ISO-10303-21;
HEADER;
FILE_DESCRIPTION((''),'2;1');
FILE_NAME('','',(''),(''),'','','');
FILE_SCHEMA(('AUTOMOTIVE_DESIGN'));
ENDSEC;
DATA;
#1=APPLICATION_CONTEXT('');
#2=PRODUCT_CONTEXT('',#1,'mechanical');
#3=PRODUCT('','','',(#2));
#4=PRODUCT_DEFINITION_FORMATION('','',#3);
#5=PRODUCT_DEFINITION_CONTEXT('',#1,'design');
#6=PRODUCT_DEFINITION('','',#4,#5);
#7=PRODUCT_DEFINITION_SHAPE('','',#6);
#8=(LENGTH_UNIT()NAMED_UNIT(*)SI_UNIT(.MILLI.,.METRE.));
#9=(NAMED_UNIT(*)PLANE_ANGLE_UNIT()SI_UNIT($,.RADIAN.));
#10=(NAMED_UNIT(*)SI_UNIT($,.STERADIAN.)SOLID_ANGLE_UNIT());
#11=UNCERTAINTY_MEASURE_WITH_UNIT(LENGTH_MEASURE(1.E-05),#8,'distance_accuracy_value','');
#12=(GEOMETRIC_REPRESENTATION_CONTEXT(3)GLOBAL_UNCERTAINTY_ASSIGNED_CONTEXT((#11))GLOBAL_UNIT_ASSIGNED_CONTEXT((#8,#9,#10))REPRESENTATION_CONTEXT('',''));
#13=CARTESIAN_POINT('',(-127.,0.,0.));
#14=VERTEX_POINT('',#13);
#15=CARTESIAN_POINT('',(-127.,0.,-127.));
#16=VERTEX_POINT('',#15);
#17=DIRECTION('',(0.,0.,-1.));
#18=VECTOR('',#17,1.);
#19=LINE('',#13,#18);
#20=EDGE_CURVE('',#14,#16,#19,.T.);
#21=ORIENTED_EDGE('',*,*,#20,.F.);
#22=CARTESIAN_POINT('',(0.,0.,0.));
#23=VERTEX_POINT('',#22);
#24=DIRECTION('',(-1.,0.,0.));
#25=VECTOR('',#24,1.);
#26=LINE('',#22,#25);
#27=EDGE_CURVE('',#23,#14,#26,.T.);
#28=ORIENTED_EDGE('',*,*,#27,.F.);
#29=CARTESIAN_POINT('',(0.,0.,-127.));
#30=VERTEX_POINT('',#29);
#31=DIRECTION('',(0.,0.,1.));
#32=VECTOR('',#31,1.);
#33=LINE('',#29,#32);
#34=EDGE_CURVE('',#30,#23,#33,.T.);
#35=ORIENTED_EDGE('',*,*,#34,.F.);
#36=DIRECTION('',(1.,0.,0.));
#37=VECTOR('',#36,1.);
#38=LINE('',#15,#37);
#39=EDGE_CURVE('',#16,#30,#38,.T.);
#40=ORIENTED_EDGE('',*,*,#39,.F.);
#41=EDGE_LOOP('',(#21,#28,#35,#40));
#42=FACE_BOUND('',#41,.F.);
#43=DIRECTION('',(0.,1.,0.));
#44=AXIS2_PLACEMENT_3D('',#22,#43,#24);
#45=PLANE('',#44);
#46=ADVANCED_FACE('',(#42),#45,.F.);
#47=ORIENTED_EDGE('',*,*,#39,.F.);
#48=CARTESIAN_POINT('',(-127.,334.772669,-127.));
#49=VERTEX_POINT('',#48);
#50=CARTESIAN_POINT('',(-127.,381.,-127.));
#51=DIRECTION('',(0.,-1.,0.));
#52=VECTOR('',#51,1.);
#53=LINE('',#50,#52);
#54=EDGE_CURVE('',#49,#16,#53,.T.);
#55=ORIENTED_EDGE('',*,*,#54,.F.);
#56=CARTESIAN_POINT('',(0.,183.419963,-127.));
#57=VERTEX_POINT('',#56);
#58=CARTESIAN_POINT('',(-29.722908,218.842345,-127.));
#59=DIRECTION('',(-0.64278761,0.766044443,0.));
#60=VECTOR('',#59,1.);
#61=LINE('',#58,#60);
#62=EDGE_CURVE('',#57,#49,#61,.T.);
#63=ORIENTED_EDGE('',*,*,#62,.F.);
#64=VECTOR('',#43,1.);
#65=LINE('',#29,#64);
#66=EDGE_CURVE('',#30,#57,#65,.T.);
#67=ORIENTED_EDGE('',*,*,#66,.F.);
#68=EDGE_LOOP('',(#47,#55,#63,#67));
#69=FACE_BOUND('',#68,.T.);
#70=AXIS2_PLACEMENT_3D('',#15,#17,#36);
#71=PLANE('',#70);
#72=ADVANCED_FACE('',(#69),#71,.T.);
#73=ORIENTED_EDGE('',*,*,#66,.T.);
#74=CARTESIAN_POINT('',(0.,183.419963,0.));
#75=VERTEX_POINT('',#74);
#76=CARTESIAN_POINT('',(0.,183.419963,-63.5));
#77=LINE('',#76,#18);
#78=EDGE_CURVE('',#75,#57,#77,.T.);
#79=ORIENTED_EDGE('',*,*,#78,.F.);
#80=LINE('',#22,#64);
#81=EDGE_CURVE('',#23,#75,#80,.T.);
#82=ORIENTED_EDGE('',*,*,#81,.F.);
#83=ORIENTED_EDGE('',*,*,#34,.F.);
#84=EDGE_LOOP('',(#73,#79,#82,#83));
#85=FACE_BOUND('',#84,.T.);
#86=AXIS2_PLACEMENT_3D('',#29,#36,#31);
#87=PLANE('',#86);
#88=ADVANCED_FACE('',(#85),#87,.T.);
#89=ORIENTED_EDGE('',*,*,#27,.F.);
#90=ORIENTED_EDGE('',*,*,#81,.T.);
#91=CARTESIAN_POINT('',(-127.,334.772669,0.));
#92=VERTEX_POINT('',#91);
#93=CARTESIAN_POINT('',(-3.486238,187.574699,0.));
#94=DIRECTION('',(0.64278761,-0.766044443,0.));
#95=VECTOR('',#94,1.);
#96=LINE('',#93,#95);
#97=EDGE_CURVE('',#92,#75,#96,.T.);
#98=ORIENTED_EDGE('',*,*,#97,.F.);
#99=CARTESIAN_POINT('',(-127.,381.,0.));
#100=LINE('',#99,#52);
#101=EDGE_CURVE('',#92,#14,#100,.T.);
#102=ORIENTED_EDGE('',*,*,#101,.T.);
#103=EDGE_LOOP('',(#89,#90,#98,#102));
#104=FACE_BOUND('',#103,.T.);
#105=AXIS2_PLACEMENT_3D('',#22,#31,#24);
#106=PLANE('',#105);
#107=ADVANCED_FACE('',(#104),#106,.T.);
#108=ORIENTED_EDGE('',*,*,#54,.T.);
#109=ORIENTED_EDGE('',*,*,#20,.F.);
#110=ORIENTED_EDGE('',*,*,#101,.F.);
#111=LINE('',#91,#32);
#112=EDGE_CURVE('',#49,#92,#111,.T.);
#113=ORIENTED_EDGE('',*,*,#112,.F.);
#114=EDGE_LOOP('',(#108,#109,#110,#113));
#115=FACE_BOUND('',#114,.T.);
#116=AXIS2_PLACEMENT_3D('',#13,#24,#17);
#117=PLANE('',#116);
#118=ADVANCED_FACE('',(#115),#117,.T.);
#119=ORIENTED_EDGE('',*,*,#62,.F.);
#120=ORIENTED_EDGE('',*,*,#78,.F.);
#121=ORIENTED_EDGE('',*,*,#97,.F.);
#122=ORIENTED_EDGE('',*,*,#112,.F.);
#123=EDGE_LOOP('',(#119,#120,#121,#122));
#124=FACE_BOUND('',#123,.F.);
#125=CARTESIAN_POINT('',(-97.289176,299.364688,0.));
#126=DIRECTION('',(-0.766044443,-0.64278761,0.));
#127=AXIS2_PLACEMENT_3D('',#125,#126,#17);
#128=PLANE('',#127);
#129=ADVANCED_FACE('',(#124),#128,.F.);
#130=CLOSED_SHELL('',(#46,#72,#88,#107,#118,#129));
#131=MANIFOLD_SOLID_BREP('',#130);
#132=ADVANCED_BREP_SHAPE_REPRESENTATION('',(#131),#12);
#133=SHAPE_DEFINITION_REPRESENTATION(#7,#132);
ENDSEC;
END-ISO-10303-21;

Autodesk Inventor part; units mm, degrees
ref_plane "YZ Plane" through (0, 0, 0) normal (1, 0, 0) x (0, 1, 0)
ref_plane "XZ Plane" through (0, 0, 0) normal (0, 1, 0) x (-1, 0, 0)
sketch "Sketch1" plane through (0, 0, 0) normal (0, 1, 0) x (-1, 0, 0)
  line L0 (0, 0) -> (127, 0)
  line L1 (127, 0) -> (127, -127)
  line L2 (127, -127) -> (0, -127)
  line L3 (0, -127) -> (0, 0)
  dimension "d0" = 127
  dimension "d1" = 127
extrude "Extrusion1" add sketch "Sketch1" along normal blind 254
sketch "Sketch2" plane through (0, 254, 0) normal (0, 1, 0) x (1, 0, 0)
  line L0 (-127, 0) -> (0, 0) projected
  line L1 (-127, 127) -> (-127, 0) projected
  line L2 (0, 0) -> (-127, 0)
  line L3 (-127, 0) -> (-127, 127)
  line L4 (-127, 127) -> (0, 127)
  line L5 (0, 127) -> (0, 0)
extrude "Extrusion2" add sketch "Sketch2" along normal blind 127
ref_plane "Work Plane1" through (0, 381, 0) normal (-0.766, -0.6428, 0) x (0, 0, -1)
sketch "Sketch4" plane through (0, 381, 0) normal (-0.766, -0.6428, 0) x (0, 0, -1)
  line L0 (-9.5876, -147.9681) -> (139.0202, -147.9681)
  line L1 (139.0202, -147.9681) -> (139.0202, 162.4304)
  line L2 (139.0202, 162.4304) -> (-9.5876, 162.4304)
  line L3 (-9.5876, 162.4304) -> (-9.5876, -147.9681)
  point P0 (0, 291.8629)
extrude "Extrusion3" cut sketch "Sketch4" along normal blind 127
sketch "Sketch6" plane through (-97.2876, 299.366, 0) normal (0.766, 0.6428, 0) x (0, 0, -1)
  line L0 (127, -151.3527) -> (0, -151.3527) projected
  line L1 (0, 46.2242) -> (127, 46.2242) projected
  line L2 (0, -151.3527) -> (127, -151.3527)
  line L3 (127, -151.3527) -> (127, 46.2242)
  line L4 (127, 46.2242) -> (0, 46.2242)
  line L5 (0, 46.2242) -> (0, -151.3527)
  point P0 (0, -291.8629)
properties part number "NestArmP2-ver1-1111-2021"
